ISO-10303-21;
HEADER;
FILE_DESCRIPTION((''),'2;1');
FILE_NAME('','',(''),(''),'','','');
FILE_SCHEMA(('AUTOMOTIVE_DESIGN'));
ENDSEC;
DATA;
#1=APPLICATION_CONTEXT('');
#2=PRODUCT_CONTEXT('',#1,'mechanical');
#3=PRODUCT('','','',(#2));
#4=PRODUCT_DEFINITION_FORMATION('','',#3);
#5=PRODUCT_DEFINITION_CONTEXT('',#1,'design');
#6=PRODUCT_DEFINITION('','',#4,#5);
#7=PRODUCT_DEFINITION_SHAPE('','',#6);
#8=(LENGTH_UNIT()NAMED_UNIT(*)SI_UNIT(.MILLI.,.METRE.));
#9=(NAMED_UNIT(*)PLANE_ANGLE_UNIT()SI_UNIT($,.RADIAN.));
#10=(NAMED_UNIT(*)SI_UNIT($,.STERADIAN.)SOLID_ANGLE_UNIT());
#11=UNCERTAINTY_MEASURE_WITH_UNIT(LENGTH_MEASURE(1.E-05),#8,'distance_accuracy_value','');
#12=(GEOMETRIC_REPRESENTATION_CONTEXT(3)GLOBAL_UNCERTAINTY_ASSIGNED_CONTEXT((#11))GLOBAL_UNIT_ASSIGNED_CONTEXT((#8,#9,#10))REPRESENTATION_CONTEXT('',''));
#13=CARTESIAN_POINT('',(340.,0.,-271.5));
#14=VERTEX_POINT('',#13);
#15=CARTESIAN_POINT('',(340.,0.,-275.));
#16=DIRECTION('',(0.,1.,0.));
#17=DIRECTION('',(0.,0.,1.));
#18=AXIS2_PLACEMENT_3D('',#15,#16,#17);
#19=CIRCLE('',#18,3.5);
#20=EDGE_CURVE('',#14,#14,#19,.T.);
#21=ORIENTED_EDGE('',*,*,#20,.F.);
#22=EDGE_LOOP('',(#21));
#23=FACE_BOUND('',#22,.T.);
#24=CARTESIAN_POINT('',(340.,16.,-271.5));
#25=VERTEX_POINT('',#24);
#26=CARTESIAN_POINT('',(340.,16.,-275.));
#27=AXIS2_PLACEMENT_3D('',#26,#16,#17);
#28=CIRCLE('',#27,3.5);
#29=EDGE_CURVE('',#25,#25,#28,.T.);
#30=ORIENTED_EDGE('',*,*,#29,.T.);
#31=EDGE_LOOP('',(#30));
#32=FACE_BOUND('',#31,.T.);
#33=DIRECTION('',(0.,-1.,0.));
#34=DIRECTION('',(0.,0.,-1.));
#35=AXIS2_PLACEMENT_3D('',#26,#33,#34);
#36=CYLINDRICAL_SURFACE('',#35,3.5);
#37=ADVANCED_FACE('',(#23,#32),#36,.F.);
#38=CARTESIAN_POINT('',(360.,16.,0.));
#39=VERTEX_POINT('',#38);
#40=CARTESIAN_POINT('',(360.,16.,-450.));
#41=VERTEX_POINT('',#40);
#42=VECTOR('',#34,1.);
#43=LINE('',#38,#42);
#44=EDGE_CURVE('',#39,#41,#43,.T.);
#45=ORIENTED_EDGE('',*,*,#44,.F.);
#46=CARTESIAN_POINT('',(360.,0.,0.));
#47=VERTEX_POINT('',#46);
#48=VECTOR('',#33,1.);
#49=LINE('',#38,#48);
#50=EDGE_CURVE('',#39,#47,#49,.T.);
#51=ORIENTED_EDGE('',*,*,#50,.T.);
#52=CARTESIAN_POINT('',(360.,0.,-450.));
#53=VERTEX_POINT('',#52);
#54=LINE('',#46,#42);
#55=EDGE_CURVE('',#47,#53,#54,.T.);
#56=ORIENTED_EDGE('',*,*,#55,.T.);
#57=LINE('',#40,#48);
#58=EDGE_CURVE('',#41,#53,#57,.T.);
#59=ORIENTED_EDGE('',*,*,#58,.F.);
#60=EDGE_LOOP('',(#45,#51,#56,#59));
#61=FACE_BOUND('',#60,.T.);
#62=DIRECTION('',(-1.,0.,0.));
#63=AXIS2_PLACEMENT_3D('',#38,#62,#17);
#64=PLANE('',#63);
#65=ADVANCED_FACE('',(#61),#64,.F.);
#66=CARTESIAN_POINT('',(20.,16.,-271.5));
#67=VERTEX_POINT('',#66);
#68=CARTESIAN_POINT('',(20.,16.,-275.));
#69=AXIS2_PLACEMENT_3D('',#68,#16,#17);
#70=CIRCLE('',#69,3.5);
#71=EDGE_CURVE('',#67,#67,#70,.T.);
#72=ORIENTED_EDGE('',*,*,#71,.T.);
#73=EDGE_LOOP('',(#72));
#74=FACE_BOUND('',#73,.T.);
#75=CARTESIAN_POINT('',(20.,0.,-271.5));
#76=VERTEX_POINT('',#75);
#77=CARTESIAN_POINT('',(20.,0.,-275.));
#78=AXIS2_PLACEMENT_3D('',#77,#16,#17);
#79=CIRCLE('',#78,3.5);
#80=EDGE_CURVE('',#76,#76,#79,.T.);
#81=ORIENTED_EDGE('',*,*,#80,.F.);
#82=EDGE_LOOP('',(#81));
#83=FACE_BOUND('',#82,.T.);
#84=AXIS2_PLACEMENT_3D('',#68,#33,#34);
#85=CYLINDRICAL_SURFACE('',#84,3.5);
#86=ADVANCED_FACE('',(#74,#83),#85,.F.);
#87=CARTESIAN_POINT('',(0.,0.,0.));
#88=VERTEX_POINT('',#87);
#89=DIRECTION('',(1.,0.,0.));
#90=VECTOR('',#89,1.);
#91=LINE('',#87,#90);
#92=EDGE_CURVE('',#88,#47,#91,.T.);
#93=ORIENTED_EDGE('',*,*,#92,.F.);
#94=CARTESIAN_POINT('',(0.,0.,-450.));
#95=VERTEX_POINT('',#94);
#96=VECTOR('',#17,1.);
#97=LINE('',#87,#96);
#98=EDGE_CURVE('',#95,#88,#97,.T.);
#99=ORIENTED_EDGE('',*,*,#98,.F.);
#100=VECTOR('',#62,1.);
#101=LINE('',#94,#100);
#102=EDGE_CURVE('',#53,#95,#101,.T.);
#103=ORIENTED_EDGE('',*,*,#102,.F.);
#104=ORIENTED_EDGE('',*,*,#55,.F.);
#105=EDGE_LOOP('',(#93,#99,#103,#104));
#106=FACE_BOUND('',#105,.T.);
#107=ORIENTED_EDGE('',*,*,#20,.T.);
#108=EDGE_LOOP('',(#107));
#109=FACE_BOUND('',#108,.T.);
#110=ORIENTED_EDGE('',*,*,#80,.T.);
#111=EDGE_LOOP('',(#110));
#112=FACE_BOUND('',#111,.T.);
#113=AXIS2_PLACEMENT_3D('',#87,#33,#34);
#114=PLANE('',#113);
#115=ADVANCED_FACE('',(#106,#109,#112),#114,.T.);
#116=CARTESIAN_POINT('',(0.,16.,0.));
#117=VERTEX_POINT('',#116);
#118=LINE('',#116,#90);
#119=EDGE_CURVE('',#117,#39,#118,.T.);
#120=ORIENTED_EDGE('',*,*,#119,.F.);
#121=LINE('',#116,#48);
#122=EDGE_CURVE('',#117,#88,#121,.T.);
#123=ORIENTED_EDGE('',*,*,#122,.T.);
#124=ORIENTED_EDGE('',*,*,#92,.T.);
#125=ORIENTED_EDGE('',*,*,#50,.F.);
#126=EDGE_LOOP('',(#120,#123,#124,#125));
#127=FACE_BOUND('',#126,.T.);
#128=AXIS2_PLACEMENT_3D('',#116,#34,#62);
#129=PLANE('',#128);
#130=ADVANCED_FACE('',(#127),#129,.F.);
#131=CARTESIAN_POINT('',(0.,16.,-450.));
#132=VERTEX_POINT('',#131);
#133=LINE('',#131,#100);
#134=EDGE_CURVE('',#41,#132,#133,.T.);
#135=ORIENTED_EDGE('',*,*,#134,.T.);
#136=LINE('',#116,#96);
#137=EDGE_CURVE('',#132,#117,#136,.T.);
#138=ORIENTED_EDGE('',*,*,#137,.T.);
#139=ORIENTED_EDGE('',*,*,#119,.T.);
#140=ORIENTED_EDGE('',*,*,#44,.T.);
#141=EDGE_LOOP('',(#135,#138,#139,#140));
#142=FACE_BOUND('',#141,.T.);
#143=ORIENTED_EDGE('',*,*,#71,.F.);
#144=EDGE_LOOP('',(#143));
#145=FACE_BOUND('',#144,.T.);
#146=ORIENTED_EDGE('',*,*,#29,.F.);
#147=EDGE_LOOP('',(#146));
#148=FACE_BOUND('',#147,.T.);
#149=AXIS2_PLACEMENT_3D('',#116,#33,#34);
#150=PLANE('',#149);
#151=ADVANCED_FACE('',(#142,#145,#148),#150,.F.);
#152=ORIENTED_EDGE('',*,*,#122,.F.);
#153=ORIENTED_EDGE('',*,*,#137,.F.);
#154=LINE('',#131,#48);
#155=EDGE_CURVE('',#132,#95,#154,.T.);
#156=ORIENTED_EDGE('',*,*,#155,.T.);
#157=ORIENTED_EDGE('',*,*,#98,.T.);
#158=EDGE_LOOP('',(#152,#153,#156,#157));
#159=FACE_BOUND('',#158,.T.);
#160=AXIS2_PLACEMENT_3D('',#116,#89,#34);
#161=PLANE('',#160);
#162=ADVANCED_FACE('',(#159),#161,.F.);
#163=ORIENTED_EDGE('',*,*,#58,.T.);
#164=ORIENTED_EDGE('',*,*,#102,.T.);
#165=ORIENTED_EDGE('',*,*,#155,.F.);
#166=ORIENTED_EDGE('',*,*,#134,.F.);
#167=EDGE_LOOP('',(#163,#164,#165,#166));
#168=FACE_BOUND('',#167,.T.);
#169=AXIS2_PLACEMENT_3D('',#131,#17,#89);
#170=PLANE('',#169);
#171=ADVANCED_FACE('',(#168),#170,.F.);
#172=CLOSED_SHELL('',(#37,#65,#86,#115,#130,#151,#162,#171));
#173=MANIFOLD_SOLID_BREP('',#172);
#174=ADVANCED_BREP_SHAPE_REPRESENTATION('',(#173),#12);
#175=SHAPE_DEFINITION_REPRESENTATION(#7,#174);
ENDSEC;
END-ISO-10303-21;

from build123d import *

# Parameters (mm, degrees)
SKETCH_2_W      = 360
SKETCH_2_H      = 450
SKETCH_2_R      = 3.5
EXTRUDE_1_DEPTH = 16


with BuildPart() as part:
    # Эскиз2 → Бобышка-Вытянуть1 (new body)
    with BuildSketch(Plane(origin=(0, 0, 0), x_dir=(1, 0, 0), z_dir=(0, 1, 0))):
        with Locations((180, 225)):
            Rectangle(SKETCH_2_W, SKETCH_2_H)
        with Locations(Location((20, 275, 0), (0, 0, 270))):
            Circle(SKETCH_2_R, mode=Mode.SUBTRACT)
        with Locations(Location((340, 275, 0), (0, 0, 270))):
            Circle(SKETCH_2_R, mode=Mode.SUBTRACT)
    extrude(amount=EXTRUDE_1_DEPTH)


solid = part.part
